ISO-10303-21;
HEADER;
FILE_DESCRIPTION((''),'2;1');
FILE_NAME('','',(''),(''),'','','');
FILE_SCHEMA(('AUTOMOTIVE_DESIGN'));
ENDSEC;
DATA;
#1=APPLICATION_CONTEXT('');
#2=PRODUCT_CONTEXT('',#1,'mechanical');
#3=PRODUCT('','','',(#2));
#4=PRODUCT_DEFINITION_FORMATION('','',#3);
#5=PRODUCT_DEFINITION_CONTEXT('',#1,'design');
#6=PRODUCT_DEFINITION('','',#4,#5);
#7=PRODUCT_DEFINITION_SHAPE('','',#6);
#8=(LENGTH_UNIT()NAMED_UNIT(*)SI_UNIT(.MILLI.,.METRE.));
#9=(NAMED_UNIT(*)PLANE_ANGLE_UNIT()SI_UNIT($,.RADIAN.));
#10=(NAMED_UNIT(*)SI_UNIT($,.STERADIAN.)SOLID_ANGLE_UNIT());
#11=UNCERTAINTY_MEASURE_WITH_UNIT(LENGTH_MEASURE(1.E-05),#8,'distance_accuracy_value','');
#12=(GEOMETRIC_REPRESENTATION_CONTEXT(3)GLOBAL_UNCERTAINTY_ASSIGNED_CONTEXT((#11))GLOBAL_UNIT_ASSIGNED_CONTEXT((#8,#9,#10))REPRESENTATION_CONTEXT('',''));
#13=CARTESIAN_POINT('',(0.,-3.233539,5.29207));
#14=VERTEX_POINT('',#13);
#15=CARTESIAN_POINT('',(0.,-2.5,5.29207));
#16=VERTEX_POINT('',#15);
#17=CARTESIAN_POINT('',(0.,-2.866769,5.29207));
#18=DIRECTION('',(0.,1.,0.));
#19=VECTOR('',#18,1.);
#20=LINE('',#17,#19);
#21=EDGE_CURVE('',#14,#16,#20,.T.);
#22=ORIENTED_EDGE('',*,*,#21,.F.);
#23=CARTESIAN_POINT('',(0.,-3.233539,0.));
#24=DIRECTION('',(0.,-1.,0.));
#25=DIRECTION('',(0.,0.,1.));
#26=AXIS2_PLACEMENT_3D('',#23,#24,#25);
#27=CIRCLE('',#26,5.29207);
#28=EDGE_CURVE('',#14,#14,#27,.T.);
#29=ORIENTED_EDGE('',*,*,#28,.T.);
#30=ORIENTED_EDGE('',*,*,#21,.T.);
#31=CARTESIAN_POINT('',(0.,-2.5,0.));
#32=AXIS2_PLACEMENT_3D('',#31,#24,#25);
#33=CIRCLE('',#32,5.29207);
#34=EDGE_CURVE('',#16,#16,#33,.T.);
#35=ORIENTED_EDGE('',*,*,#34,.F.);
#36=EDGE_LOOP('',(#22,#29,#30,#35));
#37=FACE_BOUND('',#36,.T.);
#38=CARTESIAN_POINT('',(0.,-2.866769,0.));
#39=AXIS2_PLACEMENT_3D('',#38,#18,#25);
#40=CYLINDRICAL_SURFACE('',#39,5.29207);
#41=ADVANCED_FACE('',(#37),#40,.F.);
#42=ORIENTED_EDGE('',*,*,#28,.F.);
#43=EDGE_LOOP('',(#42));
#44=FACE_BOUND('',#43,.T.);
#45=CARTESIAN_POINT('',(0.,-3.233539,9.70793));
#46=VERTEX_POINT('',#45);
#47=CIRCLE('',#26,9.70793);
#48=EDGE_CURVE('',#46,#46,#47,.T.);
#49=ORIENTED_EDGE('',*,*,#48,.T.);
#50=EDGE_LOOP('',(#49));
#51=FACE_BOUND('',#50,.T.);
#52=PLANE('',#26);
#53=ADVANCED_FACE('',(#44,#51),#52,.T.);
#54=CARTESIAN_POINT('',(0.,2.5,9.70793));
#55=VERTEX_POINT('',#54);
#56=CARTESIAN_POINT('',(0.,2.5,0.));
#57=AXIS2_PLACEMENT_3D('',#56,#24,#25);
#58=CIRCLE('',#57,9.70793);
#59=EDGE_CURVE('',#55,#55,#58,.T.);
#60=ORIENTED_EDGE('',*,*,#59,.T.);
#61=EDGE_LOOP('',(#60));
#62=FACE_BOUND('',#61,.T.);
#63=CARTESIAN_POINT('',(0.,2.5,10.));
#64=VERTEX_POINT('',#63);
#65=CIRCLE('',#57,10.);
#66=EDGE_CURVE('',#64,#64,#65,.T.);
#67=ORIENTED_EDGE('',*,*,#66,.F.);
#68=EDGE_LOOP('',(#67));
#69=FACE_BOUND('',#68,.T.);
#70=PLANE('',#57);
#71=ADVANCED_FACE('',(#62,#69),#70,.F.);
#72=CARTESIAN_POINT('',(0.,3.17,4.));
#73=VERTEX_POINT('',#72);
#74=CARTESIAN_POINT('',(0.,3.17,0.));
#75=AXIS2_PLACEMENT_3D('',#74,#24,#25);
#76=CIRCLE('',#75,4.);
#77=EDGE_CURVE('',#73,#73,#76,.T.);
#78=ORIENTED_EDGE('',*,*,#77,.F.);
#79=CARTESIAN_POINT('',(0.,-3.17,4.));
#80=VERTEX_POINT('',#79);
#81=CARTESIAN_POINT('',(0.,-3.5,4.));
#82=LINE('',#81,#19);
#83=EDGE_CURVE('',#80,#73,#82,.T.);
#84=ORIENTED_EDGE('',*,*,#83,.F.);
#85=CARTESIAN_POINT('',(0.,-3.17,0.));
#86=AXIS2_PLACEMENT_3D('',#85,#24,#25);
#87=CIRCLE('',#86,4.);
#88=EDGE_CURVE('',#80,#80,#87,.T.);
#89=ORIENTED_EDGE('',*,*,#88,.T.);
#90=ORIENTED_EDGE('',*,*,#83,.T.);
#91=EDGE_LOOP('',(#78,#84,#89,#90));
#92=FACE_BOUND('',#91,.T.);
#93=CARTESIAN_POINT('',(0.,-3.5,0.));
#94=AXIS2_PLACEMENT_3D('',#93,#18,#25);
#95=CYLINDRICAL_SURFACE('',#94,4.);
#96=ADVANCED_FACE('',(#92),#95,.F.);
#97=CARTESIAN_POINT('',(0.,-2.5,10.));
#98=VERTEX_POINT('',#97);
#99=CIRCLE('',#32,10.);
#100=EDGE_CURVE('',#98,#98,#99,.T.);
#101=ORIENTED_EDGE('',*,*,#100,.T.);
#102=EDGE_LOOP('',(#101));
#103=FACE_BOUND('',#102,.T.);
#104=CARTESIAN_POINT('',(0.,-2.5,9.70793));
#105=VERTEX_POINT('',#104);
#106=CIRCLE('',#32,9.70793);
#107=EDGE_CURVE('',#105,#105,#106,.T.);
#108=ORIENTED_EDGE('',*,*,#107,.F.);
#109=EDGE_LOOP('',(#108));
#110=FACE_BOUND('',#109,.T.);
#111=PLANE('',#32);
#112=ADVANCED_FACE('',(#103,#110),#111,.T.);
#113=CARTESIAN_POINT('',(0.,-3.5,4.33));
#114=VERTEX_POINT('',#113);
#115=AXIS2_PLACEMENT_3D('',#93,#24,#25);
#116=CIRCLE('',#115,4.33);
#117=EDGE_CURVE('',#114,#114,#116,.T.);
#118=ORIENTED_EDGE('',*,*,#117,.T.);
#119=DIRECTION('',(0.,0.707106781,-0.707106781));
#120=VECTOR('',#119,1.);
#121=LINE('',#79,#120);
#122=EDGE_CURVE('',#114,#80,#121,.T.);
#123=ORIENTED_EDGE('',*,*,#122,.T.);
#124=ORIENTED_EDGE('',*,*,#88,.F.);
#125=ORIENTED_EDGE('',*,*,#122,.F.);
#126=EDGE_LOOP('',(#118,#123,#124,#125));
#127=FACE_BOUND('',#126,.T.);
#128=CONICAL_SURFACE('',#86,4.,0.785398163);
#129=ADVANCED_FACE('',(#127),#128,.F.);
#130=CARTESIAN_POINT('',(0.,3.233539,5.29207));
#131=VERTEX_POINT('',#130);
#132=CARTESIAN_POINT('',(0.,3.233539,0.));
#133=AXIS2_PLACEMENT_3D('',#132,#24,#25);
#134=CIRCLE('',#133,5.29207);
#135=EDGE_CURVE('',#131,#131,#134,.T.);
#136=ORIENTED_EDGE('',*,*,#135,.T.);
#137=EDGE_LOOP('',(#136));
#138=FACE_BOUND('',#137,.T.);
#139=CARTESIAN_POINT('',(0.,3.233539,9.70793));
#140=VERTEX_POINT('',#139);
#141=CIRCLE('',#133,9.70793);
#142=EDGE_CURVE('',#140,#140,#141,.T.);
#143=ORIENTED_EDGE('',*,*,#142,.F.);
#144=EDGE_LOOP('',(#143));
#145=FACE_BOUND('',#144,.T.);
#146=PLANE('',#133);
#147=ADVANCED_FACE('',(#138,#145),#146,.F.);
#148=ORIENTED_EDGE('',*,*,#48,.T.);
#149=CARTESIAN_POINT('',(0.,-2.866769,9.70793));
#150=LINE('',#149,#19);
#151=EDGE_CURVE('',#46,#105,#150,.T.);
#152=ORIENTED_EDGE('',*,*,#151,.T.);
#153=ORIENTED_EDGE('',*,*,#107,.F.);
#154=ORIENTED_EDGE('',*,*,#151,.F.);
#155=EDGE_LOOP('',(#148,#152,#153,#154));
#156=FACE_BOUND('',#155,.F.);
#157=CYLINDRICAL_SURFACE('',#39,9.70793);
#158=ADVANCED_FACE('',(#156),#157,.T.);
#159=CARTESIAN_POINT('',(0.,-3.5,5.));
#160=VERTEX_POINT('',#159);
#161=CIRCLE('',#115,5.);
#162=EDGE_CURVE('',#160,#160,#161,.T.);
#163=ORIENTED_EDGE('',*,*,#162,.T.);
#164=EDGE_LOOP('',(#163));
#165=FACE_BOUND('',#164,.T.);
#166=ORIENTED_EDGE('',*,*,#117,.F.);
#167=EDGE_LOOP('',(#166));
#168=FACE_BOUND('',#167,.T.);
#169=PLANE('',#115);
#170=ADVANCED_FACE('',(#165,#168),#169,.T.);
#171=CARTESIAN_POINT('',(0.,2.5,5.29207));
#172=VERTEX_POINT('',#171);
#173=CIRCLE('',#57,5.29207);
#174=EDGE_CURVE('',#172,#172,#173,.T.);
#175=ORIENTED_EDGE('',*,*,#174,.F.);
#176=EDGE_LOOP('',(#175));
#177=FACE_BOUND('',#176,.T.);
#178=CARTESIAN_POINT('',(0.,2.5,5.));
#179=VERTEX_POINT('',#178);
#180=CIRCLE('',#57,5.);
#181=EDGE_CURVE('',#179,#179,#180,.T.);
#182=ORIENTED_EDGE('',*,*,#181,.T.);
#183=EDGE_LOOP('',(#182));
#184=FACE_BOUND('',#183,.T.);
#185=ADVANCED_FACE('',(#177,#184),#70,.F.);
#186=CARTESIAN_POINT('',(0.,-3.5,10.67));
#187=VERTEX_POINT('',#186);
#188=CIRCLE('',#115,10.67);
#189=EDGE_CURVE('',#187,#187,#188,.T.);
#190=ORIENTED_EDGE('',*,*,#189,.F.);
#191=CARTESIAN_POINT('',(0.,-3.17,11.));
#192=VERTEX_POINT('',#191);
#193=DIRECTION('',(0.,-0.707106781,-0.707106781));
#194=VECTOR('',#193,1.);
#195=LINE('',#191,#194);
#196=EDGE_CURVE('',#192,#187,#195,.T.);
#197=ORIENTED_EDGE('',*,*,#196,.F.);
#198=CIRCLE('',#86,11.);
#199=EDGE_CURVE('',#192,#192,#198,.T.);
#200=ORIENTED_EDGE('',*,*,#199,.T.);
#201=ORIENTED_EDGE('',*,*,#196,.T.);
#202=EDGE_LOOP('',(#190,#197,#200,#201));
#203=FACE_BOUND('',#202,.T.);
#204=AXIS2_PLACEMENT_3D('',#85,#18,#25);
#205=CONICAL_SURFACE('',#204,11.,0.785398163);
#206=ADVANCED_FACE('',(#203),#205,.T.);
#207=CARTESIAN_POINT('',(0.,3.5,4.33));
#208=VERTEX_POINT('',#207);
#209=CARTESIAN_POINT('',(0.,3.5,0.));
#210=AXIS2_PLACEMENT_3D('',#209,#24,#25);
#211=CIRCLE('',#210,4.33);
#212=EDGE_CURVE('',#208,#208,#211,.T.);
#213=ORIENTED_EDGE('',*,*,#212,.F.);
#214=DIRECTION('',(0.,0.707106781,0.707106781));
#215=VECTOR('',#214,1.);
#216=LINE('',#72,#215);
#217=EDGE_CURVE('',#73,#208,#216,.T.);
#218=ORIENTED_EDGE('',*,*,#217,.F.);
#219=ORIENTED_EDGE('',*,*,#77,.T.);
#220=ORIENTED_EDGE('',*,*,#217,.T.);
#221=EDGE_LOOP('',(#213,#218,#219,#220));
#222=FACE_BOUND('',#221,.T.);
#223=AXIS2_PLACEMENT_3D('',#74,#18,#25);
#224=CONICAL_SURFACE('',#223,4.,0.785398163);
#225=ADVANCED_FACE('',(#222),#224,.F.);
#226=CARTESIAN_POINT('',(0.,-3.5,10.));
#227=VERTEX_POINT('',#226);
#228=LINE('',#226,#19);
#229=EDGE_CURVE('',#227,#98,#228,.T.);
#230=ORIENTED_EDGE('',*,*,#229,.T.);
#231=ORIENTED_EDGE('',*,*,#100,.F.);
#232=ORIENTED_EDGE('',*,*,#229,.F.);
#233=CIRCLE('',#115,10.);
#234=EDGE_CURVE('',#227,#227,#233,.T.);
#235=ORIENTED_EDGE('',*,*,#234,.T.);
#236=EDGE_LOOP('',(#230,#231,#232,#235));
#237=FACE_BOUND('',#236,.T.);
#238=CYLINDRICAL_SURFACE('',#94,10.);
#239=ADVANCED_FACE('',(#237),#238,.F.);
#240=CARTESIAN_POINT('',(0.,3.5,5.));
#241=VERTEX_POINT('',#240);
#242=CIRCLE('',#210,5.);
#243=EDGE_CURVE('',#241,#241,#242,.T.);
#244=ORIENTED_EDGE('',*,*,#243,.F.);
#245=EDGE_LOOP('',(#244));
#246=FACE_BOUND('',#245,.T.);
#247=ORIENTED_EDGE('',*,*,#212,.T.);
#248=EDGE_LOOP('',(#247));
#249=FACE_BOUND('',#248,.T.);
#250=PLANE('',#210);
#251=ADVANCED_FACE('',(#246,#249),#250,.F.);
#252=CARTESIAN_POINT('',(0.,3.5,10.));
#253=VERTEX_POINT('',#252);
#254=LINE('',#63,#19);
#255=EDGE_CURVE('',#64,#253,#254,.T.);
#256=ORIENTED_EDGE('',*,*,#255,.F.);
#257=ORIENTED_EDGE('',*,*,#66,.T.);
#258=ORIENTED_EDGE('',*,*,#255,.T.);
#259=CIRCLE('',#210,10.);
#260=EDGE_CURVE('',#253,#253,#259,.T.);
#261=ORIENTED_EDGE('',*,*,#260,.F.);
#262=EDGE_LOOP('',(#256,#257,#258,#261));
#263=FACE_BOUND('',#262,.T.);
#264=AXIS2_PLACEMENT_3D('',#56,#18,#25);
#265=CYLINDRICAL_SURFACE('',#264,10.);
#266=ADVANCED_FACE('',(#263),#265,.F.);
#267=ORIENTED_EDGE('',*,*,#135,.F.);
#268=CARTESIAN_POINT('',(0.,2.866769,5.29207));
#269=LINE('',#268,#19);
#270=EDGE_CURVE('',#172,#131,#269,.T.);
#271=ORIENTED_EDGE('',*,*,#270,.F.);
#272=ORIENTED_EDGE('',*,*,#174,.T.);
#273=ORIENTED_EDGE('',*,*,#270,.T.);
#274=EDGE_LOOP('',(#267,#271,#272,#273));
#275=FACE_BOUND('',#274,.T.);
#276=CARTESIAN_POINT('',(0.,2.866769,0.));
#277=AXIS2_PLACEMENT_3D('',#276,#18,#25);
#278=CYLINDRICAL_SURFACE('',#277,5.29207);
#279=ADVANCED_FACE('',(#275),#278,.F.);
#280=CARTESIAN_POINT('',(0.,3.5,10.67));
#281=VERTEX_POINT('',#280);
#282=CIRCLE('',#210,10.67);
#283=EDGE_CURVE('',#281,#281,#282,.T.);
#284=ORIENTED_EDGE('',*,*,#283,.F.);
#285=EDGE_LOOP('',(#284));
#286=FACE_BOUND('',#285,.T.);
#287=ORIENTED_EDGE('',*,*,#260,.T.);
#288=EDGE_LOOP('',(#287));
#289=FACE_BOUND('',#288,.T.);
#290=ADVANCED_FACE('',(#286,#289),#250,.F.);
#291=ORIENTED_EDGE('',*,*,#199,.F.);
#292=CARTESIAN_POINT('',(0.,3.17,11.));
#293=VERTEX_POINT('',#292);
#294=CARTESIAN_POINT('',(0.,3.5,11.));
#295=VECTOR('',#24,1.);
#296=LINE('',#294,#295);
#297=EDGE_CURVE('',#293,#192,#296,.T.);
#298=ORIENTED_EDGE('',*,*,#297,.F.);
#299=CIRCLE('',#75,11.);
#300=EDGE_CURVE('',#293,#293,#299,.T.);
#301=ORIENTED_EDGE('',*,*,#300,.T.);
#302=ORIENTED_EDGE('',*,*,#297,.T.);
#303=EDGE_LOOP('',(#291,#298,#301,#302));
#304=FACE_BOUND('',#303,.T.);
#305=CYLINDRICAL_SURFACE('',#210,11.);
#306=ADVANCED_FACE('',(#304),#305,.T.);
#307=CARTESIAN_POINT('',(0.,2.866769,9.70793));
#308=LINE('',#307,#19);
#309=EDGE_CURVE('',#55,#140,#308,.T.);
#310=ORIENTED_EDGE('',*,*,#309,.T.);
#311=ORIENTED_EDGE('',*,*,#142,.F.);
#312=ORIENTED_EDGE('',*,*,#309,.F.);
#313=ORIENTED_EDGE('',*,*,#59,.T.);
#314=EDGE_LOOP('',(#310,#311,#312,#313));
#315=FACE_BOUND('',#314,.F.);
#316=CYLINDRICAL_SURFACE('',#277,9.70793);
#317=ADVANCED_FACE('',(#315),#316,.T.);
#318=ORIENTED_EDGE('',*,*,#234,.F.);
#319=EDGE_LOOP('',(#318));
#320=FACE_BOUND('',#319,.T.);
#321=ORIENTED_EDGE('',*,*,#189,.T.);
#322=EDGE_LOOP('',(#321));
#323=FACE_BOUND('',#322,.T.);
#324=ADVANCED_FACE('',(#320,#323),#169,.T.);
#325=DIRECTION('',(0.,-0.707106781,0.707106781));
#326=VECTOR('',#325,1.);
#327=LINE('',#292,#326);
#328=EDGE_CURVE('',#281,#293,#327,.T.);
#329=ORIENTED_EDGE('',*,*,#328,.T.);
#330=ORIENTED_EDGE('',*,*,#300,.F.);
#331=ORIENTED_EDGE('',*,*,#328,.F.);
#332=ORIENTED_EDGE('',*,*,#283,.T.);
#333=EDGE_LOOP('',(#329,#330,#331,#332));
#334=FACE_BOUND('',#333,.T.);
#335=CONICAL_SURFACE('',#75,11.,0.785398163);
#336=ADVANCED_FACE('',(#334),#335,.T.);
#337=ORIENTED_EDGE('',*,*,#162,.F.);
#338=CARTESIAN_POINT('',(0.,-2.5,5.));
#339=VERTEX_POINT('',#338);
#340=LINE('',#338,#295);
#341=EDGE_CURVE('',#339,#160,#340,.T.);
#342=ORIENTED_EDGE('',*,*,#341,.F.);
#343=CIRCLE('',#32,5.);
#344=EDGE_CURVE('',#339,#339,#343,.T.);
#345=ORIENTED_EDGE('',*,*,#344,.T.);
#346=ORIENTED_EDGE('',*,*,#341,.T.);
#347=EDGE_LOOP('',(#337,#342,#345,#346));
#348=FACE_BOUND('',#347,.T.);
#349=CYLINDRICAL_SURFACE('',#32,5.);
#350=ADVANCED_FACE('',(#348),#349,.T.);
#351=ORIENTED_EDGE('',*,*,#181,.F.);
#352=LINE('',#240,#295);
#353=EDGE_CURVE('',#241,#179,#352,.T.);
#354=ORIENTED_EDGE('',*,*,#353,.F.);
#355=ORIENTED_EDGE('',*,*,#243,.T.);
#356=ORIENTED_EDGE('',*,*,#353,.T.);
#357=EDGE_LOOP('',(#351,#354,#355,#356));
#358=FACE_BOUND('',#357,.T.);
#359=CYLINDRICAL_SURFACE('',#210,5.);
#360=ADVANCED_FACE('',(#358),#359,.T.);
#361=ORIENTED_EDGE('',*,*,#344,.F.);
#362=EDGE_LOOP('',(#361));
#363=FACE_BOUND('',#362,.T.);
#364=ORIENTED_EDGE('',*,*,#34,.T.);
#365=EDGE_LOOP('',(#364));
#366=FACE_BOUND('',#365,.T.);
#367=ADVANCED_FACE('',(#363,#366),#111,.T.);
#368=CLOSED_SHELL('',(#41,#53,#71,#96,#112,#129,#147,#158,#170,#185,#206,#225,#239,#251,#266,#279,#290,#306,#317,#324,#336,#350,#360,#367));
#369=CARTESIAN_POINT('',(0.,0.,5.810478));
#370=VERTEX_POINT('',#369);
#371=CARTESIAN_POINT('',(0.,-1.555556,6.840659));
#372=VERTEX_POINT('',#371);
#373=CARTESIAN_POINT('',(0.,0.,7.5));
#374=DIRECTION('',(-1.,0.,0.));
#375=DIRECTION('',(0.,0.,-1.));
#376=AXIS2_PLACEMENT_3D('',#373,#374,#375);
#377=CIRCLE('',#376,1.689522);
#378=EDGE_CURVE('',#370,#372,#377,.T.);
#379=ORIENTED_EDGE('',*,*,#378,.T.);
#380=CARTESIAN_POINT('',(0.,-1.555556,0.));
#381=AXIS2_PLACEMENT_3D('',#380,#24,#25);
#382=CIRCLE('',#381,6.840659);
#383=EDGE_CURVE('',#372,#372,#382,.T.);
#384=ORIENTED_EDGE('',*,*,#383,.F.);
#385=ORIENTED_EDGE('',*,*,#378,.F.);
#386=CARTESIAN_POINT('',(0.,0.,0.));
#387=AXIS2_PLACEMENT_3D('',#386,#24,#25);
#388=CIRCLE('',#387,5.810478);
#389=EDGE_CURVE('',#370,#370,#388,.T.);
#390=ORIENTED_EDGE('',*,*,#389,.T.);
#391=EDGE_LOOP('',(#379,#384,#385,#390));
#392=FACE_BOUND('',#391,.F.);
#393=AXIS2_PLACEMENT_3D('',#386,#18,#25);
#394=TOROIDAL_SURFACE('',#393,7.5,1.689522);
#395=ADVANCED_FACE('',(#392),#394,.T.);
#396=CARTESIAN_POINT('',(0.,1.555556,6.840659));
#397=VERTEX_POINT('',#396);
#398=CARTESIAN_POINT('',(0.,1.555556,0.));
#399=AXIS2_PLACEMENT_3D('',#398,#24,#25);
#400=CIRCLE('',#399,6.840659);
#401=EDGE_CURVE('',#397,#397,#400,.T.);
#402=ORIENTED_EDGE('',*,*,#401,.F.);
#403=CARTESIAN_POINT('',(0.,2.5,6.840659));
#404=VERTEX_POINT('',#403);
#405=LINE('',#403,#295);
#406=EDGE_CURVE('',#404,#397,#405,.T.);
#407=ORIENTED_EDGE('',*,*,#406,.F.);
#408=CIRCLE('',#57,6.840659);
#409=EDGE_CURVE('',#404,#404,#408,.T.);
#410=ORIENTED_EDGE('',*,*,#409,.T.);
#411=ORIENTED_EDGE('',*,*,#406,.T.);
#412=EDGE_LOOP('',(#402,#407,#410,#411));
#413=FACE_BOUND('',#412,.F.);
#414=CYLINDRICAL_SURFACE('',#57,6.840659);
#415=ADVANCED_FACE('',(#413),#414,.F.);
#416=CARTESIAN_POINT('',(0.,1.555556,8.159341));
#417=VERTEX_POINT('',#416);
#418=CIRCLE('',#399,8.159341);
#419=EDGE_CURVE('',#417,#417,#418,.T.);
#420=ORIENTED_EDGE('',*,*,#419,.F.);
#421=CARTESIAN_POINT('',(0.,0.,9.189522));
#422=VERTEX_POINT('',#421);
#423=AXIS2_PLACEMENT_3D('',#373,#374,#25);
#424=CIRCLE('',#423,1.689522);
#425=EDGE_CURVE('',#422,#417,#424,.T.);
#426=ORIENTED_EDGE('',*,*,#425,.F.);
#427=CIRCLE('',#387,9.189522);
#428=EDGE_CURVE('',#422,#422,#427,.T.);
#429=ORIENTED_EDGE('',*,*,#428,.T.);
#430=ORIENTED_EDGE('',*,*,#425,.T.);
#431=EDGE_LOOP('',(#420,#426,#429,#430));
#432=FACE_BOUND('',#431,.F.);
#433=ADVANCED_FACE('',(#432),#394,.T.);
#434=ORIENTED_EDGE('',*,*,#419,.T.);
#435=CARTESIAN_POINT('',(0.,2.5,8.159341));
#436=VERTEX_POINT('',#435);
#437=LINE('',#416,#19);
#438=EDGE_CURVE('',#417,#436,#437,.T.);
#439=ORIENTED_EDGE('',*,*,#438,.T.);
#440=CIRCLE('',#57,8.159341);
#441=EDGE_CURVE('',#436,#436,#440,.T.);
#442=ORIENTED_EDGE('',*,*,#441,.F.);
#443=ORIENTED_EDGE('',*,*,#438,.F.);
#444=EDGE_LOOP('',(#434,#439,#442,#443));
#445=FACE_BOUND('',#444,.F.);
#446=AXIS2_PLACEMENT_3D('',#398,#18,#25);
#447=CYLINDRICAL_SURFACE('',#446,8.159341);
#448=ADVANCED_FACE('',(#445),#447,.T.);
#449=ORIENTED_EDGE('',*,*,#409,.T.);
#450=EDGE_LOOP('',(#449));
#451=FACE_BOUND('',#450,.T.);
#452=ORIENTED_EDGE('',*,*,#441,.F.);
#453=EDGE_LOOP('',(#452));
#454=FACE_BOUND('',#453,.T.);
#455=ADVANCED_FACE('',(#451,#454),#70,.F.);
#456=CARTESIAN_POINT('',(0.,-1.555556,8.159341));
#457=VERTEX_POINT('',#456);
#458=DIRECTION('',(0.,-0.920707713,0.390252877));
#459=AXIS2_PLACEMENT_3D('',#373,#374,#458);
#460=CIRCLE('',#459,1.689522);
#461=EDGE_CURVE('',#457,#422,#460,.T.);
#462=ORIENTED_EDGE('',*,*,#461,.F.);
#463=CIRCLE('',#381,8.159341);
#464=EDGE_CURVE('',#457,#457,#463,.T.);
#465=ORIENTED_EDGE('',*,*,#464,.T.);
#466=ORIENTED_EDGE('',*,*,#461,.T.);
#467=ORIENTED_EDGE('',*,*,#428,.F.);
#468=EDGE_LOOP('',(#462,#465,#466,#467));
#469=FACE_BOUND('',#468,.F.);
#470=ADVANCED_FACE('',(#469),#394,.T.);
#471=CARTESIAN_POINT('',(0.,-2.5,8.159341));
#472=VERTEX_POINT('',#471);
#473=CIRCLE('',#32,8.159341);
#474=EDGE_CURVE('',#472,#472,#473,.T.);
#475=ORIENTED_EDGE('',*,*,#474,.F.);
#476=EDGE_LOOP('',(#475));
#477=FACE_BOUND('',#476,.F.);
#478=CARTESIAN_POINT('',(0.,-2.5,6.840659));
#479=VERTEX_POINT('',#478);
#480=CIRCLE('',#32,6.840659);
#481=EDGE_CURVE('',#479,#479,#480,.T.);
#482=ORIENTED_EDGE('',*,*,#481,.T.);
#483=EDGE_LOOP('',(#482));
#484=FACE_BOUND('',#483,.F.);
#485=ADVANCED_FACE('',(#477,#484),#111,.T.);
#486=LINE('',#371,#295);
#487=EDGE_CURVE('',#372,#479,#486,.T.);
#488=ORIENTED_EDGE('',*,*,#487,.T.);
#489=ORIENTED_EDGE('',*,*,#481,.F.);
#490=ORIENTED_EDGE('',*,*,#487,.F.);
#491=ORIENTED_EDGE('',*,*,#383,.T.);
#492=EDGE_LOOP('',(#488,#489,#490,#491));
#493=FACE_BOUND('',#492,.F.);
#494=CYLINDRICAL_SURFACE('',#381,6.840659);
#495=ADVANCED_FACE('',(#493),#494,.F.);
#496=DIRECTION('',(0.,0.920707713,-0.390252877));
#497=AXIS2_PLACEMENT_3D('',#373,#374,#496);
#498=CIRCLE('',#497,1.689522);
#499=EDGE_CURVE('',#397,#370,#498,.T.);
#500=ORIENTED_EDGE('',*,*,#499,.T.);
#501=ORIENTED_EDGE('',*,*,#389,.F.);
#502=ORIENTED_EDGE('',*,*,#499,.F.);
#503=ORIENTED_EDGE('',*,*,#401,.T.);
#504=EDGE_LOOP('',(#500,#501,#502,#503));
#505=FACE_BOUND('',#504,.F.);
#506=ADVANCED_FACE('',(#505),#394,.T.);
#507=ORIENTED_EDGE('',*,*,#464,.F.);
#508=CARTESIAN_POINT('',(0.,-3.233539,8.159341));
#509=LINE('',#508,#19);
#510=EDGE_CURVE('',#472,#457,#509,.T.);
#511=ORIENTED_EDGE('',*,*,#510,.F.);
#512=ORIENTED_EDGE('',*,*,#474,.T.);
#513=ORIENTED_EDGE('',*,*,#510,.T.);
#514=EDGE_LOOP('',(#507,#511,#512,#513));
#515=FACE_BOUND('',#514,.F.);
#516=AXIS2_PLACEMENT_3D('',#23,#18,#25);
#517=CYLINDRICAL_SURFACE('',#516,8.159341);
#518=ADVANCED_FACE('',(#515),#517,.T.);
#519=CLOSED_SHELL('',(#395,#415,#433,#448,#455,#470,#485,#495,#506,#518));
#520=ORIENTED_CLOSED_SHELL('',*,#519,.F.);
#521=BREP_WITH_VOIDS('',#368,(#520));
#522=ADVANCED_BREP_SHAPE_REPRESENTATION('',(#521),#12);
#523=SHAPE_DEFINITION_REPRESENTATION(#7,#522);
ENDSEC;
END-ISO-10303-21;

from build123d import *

# Parameters (mm, degrees)
F1_W    = 0.7335389405
F1_H    = 1.5485889072
F1_H_2  = 1.3186813187
F3_SIZE = 0.33


with BuildPart() as f2:
    # F1 (on Right) → F2 (revolve)
    with BuildSketch(Plane.YZ):
        with BuildLine():
            Line((3.5, 10), (3.5, 11))
            Line((3.5, 11), (0, 11))
            Line((0, 11), (0, 9.1895215866))
            ThreePointArc((0, 9.1895215866), (0.9328753707, 8.9086258319), (1.5555555556, 8.1593406593))
            Line((1.5555555556, 8.1593406593), (2.5, 8.1593406593))
            Line((2.5, 8.1593406593), (2.5, 9.7079295665))
            Line((2.5, 9.7079295665), (2.5, 10))
            Line((2.5, 10), (3.2335389405, 10))
            Line((3.2335389405, 10), (3.5, 10))
        make_face()
        with BuildLine():
            Line((2.5, 5.2920704335), (2.5, 6.8406593407))
            Line((2.5, 6.8406593407), (1.5555555556, 6.8406593407))
            ThreePointArc((1.5555555556, 6.8406593407), (0.9328753707, 6.0913741681), (0, 5.8104784134))
            Line((0, 5.8104784134), (0, 4))
            Line((0, 4), (3.5, 4))
            Line((3.5, 4), (3.5, 5))
            Line((3.5, 5), (3.2335389405, 5))
            Line((3.2335389405, 5), (2.5, 5))
            Line((2.5, 5), (2.5, 5.2920704335))
        make_face()
        with BuildLine():
            Line((-1.5555555556, 6.8406593407), (-2.5, 6.8406593407))
            Line((-2.5, 6.8406593407), (-2.5, 5.2920704335))
            Line((-2.5, 5.2920704335), (-2.5, 5))
            Line((-2.5, 5), (-3.2335389405, 5))
            Line((-3.2335389405, 5), (-3.5, 5))
            Line((-3.5, 5), (-3.5, 4))
            Line((-3.5, 4), (0, 4))
            Line((0, 4), (0, 5.8104784134))
            ThreePointArc((0, 5.8104784134), (-0.9328753707, 6.0913741681), (-1.5555555556, 6.8406593407))
        make_face()
        with BuildLine():
            Line((0, 9.1895215866), (0, 11))
            Line((0, 11), (-3.5, 11))
            Line((-3.5, 11), (-3.5, 10))
            Line((-3.5, 10), (-3.2335389405, 10))
            Line((-3.2335389405, 10), (-2.5, 10))
            Line((-2.5, 10), (-2.5, 9.7079295665))
            Line((-2.5, 9.7079295665), (-2.5, 8.1593406593))
            Line((-2.5, 8.1593406593), (-1.5555555556, 8.1593406593))
            ThreePointArc((-1.5555555556, 8.1593406593), (-0.9328753707, 8.9086258319), (0, 9.1895215866))
        make_face()
        with Locations((2.8667694703, 8.9336351129)):
            Rectangle(F1_W, F1_H)
        with Locations((2.8667694703, 7.5)):
            Rectangle(F1_W, F1_H_2)
        with Locations((2.8667694703, 6.0663648871)):
            Rectangle(F1_W, F1_H)
        with Locations((-2.8667694703, 8.9336351129)):
            Rectangle(F1_W, F1_H)
        with Locations((-2.8667694703, 6.0663648871)):
            Rectangle(F1_W, F1_H)
        with Locations((-2.8667694703, 7.5)):
            Rectangle(F1_W, F1_H_2)
    revolve(axis=Axis((0, 0, 0), (0, -1, 0)))

    # F3
    f3_edges = [f2.edges().sort_by_distance(p)[0] for p in [
        (0, -3.5, -4),
        (0, 3.5, -4),
        (0, 0, 4),
        (0, 3.5, -11),
        (0, -3.5, -11),
        (0, 0, 11),
    ]]
    chamfer(f3_edges, length=F3_SIZE)


solid = f2.part
